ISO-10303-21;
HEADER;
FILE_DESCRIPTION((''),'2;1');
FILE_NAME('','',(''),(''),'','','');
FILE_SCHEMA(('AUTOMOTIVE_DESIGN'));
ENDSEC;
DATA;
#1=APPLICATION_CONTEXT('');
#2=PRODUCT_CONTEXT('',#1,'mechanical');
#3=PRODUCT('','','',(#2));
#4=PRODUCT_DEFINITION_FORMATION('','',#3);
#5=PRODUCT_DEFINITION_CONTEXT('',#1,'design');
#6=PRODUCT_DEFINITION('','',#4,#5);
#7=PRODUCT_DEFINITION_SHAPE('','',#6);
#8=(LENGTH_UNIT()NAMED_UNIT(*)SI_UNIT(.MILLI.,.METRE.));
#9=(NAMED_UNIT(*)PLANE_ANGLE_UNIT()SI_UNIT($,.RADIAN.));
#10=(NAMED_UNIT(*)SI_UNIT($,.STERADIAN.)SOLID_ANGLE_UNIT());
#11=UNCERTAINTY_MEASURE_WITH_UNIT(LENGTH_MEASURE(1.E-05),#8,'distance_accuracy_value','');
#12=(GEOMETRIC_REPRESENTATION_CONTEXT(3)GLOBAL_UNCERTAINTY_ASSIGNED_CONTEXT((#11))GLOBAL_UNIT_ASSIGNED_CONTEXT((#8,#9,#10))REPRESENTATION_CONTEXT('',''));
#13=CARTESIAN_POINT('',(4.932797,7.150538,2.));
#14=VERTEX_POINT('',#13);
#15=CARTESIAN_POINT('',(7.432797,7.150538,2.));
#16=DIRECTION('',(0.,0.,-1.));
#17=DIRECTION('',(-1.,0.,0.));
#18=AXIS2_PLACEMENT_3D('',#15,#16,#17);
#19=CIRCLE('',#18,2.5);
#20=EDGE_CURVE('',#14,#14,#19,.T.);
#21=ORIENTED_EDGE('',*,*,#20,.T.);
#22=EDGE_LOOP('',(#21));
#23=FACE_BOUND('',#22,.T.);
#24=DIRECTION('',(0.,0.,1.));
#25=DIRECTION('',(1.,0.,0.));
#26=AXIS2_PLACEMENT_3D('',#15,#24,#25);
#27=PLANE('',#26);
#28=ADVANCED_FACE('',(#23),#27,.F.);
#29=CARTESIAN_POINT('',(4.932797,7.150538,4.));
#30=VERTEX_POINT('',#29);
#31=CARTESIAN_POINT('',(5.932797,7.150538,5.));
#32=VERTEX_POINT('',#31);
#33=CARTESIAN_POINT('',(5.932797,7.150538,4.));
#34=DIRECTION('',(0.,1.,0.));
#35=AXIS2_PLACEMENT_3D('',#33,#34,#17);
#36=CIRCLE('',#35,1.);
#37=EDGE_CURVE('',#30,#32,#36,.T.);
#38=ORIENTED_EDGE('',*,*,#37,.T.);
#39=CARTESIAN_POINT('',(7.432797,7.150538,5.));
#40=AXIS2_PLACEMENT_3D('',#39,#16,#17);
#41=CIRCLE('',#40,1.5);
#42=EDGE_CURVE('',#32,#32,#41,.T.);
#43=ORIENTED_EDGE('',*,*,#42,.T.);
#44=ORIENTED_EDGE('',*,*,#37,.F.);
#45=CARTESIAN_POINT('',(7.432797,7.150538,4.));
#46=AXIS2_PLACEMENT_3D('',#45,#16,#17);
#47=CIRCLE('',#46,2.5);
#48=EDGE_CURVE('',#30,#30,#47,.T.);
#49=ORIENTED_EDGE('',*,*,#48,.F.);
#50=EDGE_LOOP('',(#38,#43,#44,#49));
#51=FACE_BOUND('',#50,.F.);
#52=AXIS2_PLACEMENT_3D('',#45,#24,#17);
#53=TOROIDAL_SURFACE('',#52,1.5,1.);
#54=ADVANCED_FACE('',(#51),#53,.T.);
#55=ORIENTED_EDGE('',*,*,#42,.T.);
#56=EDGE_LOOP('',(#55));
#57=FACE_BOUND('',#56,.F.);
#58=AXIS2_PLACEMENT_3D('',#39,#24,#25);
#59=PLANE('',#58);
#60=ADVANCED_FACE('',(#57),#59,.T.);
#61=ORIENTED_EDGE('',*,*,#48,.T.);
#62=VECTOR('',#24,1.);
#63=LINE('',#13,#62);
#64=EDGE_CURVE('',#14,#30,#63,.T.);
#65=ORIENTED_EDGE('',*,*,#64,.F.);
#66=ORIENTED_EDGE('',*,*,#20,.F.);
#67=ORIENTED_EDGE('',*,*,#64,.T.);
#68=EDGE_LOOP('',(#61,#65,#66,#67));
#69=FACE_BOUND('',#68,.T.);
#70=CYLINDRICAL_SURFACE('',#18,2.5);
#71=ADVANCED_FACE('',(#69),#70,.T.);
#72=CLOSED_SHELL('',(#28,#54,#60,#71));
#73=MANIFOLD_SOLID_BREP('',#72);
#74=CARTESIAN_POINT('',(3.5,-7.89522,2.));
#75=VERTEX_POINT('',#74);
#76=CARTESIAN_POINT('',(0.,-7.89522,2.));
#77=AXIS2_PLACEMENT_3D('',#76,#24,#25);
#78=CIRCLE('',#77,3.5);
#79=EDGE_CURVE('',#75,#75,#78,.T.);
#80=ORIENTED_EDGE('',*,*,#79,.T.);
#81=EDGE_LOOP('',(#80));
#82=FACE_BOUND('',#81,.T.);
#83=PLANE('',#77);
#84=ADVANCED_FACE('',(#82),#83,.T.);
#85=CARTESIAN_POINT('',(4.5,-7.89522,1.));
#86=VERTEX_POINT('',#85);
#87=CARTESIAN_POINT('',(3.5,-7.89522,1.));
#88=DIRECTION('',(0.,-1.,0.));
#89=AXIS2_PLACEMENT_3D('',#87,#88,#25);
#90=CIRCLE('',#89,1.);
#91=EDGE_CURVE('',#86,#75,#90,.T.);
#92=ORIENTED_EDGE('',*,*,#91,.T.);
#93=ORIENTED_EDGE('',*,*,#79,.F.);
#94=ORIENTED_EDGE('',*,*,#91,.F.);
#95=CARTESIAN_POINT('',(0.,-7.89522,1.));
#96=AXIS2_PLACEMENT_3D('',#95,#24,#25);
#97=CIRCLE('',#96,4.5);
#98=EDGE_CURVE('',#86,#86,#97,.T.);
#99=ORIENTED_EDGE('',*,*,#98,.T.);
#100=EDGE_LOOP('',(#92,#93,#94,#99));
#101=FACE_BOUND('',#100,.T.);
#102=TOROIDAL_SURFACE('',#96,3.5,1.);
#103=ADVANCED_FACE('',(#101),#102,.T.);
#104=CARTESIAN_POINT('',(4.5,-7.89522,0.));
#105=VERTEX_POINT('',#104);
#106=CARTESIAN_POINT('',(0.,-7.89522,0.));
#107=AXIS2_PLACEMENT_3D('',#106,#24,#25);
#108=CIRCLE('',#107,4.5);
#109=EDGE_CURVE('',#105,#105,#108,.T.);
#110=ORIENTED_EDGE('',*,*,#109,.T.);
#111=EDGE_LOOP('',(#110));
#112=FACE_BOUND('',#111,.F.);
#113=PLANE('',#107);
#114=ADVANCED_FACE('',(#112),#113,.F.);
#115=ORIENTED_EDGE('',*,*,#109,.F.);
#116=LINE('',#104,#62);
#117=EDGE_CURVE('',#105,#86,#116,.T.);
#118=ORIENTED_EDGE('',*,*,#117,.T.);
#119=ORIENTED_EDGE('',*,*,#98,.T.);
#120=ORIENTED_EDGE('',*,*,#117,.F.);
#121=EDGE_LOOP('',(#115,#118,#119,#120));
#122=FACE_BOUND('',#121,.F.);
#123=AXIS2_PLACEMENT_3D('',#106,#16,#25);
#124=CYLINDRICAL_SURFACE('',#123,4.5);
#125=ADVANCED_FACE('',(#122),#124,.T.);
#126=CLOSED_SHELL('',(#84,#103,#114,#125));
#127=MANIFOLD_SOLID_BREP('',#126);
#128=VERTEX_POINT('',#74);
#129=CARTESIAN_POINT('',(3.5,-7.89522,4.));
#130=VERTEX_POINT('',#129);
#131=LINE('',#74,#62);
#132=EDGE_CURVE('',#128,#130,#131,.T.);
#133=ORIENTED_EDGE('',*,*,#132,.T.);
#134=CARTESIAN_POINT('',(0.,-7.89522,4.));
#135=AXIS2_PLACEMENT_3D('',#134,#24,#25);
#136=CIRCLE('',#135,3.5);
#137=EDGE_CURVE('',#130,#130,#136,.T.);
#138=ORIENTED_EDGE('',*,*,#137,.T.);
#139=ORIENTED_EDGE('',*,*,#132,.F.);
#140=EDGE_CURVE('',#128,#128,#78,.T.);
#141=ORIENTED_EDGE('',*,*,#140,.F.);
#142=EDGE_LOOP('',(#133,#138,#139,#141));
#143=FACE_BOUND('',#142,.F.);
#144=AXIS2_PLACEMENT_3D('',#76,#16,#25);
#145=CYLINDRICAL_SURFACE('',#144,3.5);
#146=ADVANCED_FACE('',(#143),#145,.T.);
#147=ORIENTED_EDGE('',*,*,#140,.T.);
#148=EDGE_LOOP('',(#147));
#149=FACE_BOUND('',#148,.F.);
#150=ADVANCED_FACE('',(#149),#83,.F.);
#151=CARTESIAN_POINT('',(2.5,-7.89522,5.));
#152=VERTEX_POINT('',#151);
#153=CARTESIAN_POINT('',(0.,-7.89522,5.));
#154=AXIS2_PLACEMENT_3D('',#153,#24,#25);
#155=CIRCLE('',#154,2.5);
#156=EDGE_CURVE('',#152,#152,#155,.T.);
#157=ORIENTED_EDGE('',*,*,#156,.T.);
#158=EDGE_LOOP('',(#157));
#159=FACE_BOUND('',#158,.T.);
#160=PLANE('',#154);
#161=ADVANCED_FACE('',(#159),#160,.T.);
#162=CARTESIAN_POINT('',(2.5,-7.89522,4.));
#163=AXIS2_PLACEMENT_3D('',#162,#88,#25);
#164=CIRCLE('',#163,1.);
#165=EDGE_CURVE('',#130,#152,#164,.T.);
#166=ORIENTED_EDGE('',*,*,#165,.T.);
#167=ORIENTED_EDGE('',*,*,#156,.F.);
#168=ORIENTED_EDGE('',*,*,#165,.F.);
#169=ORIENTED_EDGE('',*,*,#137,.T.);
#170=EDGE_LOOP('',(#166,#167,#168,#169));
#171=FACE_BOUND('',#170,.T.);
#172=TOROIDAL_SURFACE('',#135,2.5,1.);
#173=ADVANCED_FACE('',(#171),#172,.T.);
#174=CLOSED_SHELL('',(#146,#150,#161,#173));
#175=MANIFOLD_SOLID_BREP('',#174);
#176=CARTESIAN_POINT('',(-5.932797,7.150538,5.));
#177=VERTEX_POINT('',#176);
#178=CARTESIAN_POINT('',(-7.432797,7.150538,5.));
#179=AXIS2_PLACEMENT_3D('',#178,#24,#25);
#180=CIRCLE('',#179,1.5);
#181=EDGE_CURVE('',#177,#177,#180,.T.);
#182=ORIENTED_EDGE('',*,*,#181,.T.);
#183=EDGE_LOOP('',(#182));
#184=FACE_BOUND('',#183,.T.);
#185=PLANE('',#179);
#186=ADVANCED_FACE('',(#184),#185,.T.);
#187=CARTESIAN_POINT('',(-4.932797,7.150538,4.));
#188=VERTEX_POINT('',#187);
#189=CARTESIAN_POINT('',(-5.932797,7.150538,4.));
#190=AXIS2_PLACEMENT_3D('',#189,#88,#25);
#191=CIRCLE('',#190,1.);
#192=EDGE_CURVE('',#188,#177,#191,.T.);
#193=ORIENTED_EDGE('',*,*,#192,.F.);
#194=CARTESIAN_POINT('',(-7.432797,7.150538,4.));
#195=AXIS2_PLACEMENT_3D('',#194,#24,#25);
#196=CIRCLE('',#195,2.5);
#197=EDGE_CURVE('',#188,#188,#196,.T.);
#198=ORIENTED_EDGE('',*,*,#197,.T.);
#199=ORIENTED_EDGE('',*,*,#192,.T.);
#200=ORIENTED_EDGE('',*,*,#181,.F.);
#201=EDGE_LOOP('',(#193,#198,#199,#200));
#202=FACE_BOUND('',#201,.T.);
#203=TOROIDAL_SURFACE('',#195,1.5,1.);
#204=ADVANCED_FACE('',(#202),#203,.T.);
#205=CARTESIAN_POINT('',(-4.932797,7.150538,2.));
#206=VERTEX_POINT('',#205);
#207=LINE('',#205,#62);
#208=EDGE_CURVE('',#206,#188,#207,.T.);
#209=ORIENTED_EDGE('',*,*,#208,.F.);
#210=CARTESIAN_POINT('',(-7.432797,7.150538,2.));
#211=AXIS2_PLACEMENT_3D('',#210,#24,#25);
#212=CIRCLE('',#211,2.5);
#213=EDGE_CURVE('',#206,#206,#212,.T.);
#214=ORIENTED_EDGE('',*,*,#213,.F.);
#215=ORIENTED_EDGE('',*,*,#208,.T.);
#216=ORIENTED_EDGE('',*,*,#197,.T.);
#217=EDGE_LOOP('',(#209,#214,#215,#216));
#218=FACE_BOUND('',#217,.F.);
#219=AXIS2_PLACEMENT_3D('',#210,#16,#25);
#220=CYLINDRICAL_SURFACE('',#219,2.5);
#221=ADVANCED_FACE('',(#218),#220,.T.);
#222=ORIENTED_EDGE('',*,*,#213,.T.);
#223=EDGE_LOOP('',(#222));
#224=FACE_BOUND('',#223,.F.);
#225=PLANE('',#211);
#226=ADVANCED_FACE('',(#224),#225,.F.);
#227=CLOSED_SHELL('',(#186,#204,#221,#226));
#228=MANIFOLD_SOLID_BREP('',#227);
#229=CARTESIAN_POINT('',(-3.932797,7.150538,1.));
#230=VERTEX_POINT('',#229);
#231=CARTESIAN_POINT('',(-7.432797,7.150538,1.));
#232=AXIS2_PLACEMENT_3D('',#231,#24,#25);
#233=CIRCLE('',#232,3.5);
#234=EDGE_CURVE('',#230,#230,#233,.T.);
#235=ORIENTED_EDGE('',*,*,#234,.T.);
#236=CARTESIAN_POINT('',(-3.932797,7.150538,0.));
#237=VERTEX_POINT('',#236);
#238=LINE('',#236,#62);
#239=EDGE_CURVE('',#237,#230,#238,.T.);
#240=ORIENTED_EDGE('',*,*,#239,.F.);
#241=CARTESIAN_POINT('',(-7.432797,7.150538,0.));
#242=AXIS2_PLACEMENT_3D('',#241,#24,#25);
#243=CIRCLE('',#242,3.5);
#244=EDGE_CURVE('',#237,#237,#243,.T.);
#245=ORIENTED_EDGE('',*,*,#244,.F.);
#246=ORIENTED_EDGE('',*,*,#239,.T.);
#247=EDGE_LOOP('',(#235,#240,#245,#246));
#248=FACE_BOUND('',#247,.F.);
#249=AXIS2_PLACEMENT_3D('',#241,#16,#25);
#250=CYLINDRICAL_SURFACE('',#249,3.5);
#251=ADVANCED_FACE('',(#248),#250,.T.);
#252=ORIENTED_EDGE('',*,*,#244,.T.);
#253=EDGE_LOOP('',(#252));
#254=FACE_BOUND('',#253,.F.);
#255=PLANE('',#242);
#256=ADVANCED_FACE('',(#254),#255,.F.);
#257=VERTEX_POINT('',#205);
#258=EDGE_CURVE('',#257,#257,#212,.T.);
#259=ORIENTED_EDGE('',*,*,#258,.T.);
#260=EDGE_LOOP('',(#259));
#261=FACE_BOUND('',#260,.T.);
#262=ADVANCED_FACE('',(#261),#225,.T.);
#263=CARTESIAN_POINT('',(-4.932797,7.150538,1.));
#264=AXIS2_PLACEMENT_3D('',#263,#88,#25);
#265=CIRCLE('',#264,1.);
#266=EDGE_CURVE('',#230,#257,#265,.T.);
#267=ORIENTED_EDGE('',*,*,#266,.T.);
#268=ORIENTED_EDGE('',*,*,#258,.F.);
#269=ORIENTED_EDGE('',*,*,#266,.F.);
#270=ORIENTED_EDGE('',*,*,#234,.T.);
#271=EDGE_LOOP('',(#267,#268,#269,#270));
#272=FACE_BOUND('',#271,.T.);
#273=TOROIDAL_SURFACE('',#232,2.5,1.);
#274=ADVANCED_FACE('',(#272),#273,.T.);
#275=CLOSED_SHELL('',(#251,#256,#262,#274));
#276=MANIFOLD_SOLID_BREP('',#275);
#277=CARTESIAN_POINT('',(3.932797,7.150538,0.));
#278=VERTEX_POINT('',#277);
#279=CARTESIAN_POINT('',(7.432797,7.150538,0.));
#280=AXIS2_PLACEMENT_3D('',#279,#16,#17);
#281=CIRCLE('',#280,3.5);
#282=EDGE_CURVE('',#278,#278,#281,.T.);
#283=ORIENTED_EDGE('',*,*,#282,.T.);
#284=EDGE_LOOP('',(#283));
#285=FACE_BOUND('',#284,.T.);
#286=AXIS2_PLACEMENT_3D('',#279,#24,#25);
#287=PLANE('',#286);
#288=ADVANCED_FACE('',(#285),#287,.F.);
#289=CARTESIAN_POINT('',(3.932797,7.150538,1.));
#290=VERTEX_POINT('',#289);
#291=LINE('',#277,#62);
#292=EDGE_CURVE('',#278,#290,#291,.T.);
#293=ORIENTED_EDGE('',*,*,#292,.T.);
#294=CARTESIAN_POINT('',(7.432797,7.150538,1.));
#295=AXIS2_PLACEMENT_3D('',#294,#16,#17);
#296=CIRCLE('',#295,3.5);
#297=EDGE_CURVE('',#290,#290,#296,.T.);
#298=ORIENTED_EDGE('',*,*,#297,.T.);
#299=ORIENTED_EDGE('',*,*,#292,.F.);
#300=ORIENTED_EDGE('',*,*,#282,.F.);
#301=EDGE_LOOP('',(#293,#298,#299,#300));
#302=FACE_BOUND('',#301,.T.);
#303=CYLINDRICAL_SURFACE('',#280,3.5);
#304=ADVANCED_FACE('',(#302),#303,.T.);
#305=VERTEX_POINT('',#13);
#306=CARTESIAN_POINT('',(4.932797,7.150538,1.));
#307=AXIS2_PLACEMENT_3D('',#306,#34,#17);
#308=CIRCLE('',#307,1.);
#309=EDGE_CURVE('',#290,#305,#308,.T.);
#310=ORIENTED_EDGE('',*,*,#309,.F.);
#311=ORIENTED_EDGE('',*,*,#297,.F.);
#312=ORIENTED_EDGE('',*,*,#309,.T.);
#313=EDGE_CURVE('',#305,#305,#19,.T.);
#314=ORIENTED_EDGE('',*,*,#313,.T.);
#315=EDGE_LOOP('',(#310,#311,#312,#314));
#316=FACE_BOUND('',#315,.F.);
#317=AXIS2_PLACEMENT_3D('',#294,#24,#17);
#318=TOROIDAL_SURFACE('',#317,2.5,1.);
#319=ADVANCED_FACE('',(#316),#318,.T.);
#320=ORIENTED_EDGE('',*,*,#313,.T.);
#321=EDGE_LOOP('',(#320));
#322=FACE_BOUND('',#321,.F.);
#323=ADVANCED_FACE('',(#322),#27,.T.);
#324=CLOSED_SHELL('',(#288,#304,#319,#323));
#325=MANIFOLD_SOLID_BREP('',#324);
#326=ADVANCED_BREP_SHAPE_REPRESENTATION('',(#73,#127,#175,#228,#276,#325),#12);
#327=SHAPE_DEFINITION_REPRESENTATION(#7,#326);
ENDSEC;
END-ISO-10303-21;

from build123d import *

# Parameters (mm, degrees)
F0_R     = 3.5
F1_DEPTH = 2
F0_R_2   = 4.5
F2_R     = 2.5
F3_DEPTH = 3
F2_R_2   = 3.5
F5_R     = 1
F5_2_R   = 1
F5_3_R   = 1
F5_4_R   = 1
F5_5_R   = 1
F5_6_R   = 1


with BuildPart() as f1:
    # F0 (on Top) → F1 (new body)
    with BuildSketch(Plane.XY):
        with Locations((-7.4327965267, 7.1505378)):
            Circle(F0_R)
    extrude(amount=F1_DEPTH)


with BuildPart() as f1b:
    # F0 (on Top) → F1, piece 2 (new body)
    with BuildSketch(Plane.XY):
        with Locations((0, -7.8952200711)):
            Circle(F0_R_2)
    extrude(amount=F1_DEPTH)

    # F5#6
    f5_6_edges = [f1b.edges().sort_by_distance(p)[0] for p in [
        (-4.5, -7.89522, 2),
    ]]
    fillet(f5_6_edges, radius=F5_6_R)


with BuildPart() as f3:
    # F2 (on face) → F3 (new body)
    with BuildSketch(Plane.XY.offset(2)):
        with Locations((-7.4327965267, 7.1505378)):
            Circle(F2_R)
    extrude(amount=F3_DEPTH)


with BuildPart() as f3b:
    # F2 (on face) → F3, piece 2 (new body)
    with BuildSketch(Plane.XY.offset(2)):
        with Locations((0, -7.8952200711)):
            Circle(F2_R_2)
    extrude(amount=F3_DEPTH)

    # F5#3
    f5_3_edges = [f3b.edges().sort_by_distance(p)[0] for p in [
        (-3.5, -7.89522, 5),
    ]]
    fillet(f5_3_edges, radius=F5_3_R)


with BuildPart() as f4_1:
    # F4: instance of F1
    add(f1.part.mirror(Plane.YZ))

    # F5#5
    f5_5_edges = [f4_1.edges().sort_by_distance(p)[0] for p in [
        (10.932797, 7.150538, 2),
    ]]
    fillet(f5_5_edges, radius=F5_5_R)


with BuildPart() as f4_2:
    # F4: instance of F3
    add(f3.part.mirror(Plane.YZ))

    # F5#2
    f5_2_edges = [f4_2.edges().sort_by_distance(p)[0] for p in [
        (9.932797, 7.150538, 5),
    ]]
    fillet(f5_2_edges, radius=F5_2_R)


with BuildPart() as f3_1:
    add(f3.part)

    # F5
    f5_edges = [f3_1.edges().sort_by_distance(p)[0] for p in [
        (-9.932797, 7.150538, 5),
    ]]
    fillet(f5_edges, radius=F5_R)


with BuildPart() as f1_1:
    add(f1.part)

    # F5#4
    f5_4_edges = [f1_1.edges().sort_by_distance(p)[0] for p in [
        (-10.932797, 7.150538, 2),
    ]]
    fillet(f5_4_edges, radius=F5_4_R)


solid = Compound([f1b.part, f3b.part, f4_1.part, f4_2.part, f3_1.part, f1_1.part])
